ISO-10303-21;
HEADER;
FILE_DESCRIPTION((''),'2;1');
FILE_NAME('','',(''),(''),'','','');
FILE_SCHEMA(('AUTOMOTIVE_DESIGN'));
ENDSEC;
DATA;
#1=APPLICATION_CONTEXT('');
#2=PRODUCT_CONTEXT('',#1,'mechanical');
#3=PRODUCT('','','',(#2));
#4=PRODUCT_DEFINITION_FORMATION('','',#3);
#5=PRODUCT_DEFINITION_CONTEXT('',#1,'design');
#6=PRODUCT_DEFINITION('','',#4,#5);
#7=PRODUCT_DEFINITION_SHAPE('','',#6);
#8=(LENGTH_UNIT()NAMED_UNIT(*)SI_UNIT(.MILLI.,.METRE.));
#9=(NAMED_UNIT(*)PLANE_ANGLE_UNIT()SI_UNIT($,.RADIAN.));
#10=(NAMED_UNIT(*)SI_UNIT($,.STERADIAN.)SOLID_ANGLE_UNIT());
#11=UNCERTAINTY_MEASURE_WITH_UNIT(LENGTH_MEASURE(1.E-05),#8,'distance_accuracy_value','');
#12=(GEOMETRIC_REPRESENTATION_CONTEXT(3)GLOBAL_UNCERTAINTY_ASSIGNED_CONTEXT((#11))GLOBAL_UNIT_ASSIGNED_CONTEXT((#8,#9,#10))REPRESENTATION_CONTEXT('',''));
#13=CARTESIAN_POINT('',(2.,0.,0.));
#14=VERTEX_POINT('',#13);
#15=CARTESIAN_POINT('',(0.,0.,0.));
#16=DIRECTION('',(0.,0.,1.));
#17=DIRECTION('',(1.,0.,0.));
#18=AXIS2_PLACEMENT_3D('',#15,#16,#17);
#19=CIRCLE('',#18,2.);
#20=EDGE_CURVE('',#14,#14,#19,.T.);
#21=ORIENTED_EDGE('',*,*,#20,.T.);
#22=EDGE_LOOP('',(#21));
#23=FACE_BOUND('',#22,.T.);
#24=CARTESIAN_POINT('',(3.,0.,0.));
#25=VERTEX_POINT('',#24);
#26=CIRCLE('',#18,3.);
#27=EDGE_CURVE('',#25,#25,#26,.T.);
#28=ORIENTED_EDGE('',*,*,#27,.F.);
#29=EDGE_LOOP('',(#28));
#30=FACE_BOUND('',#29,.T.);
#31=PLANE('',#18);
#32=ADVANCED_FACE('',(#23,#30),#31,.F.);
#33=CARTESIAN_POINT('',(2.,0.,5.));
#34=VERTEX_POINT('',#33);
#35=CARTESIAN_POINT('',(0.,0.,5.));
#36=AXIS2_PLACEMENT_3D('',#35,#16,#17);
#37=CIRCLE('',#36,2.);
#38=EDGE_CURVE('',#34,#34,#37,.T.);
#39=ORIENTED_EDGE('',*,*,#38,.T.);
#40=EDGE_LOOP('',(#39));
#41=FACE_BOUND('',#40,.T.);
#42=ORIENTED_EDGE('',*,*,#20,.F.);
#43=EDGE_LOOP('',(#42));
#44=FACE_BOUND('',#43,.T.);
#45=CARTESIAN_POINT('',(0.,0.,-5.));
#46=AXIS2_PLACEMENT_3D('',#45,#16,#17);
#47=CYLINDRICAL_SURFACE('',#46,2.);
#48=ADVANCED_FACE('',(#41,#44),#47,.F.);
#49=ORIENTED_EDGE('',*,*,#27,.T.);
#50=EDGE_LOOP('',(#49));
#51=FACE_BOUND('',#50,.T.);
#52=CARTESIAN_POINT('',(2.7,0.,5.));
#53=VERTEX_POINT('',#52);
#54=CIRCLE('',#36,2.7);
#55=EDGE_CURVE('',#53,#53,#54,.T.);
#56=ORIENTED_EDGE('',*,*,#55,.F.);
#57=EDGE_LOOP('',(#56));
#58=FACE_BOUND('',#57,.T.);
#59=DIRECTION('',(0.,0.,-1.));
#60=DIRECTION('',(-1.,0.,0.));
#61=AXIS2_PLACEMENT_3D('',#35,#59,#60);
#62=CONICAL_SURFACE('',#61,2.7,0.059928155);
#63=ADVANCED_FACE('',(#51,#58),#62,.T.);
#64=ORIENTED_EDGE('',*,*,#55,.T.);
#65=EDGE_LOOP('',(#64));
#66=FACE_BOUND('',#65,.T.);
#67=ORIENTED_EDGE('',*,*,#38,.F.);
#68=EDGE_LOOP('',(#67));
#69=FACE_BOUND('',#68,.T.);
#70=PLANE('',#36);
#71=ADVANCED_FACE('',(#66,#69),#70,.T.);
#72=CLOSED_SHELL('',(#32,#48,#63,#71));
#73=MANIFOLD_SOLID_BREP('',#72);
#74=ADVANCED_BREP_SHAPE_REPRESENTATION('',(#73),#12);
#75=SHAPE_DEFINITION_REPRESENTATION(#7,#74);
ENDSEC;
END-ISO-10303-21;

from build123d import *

# Parameters (mm, degrees)
SZKIC1_R                   = 3
SZKIC2_R                   = 2.7
SZKIC3_R                   = 2
WYTNIJ_WYCI_GNI_CIE1_DEPTH = 10


with BuildPart() as part:
    # Szkic1 → Wyciągnięcie po profilach1 section 0
    with BuildSketch(Plane.XY):
        Circle(SZKIC1_R)
    # Szkic2 → Wyciągnięcie po profilach1 section 1
    with BuildSketch(Plane.XY.offset(5)):
        Circle(SZKIC2_R)
    loft()

    # Szkic3 → Wytnij-wyciągnięcie1 (cut)
    with BuildSketch(Plane.XY.offset(5)):
        Circle(SZKIC3_R)
    extrude(amount=-WYTNIJ_WYCI_GNI_CIE1_DEPTH, mode=Mode.SUBTRACT)


solid = part.part
